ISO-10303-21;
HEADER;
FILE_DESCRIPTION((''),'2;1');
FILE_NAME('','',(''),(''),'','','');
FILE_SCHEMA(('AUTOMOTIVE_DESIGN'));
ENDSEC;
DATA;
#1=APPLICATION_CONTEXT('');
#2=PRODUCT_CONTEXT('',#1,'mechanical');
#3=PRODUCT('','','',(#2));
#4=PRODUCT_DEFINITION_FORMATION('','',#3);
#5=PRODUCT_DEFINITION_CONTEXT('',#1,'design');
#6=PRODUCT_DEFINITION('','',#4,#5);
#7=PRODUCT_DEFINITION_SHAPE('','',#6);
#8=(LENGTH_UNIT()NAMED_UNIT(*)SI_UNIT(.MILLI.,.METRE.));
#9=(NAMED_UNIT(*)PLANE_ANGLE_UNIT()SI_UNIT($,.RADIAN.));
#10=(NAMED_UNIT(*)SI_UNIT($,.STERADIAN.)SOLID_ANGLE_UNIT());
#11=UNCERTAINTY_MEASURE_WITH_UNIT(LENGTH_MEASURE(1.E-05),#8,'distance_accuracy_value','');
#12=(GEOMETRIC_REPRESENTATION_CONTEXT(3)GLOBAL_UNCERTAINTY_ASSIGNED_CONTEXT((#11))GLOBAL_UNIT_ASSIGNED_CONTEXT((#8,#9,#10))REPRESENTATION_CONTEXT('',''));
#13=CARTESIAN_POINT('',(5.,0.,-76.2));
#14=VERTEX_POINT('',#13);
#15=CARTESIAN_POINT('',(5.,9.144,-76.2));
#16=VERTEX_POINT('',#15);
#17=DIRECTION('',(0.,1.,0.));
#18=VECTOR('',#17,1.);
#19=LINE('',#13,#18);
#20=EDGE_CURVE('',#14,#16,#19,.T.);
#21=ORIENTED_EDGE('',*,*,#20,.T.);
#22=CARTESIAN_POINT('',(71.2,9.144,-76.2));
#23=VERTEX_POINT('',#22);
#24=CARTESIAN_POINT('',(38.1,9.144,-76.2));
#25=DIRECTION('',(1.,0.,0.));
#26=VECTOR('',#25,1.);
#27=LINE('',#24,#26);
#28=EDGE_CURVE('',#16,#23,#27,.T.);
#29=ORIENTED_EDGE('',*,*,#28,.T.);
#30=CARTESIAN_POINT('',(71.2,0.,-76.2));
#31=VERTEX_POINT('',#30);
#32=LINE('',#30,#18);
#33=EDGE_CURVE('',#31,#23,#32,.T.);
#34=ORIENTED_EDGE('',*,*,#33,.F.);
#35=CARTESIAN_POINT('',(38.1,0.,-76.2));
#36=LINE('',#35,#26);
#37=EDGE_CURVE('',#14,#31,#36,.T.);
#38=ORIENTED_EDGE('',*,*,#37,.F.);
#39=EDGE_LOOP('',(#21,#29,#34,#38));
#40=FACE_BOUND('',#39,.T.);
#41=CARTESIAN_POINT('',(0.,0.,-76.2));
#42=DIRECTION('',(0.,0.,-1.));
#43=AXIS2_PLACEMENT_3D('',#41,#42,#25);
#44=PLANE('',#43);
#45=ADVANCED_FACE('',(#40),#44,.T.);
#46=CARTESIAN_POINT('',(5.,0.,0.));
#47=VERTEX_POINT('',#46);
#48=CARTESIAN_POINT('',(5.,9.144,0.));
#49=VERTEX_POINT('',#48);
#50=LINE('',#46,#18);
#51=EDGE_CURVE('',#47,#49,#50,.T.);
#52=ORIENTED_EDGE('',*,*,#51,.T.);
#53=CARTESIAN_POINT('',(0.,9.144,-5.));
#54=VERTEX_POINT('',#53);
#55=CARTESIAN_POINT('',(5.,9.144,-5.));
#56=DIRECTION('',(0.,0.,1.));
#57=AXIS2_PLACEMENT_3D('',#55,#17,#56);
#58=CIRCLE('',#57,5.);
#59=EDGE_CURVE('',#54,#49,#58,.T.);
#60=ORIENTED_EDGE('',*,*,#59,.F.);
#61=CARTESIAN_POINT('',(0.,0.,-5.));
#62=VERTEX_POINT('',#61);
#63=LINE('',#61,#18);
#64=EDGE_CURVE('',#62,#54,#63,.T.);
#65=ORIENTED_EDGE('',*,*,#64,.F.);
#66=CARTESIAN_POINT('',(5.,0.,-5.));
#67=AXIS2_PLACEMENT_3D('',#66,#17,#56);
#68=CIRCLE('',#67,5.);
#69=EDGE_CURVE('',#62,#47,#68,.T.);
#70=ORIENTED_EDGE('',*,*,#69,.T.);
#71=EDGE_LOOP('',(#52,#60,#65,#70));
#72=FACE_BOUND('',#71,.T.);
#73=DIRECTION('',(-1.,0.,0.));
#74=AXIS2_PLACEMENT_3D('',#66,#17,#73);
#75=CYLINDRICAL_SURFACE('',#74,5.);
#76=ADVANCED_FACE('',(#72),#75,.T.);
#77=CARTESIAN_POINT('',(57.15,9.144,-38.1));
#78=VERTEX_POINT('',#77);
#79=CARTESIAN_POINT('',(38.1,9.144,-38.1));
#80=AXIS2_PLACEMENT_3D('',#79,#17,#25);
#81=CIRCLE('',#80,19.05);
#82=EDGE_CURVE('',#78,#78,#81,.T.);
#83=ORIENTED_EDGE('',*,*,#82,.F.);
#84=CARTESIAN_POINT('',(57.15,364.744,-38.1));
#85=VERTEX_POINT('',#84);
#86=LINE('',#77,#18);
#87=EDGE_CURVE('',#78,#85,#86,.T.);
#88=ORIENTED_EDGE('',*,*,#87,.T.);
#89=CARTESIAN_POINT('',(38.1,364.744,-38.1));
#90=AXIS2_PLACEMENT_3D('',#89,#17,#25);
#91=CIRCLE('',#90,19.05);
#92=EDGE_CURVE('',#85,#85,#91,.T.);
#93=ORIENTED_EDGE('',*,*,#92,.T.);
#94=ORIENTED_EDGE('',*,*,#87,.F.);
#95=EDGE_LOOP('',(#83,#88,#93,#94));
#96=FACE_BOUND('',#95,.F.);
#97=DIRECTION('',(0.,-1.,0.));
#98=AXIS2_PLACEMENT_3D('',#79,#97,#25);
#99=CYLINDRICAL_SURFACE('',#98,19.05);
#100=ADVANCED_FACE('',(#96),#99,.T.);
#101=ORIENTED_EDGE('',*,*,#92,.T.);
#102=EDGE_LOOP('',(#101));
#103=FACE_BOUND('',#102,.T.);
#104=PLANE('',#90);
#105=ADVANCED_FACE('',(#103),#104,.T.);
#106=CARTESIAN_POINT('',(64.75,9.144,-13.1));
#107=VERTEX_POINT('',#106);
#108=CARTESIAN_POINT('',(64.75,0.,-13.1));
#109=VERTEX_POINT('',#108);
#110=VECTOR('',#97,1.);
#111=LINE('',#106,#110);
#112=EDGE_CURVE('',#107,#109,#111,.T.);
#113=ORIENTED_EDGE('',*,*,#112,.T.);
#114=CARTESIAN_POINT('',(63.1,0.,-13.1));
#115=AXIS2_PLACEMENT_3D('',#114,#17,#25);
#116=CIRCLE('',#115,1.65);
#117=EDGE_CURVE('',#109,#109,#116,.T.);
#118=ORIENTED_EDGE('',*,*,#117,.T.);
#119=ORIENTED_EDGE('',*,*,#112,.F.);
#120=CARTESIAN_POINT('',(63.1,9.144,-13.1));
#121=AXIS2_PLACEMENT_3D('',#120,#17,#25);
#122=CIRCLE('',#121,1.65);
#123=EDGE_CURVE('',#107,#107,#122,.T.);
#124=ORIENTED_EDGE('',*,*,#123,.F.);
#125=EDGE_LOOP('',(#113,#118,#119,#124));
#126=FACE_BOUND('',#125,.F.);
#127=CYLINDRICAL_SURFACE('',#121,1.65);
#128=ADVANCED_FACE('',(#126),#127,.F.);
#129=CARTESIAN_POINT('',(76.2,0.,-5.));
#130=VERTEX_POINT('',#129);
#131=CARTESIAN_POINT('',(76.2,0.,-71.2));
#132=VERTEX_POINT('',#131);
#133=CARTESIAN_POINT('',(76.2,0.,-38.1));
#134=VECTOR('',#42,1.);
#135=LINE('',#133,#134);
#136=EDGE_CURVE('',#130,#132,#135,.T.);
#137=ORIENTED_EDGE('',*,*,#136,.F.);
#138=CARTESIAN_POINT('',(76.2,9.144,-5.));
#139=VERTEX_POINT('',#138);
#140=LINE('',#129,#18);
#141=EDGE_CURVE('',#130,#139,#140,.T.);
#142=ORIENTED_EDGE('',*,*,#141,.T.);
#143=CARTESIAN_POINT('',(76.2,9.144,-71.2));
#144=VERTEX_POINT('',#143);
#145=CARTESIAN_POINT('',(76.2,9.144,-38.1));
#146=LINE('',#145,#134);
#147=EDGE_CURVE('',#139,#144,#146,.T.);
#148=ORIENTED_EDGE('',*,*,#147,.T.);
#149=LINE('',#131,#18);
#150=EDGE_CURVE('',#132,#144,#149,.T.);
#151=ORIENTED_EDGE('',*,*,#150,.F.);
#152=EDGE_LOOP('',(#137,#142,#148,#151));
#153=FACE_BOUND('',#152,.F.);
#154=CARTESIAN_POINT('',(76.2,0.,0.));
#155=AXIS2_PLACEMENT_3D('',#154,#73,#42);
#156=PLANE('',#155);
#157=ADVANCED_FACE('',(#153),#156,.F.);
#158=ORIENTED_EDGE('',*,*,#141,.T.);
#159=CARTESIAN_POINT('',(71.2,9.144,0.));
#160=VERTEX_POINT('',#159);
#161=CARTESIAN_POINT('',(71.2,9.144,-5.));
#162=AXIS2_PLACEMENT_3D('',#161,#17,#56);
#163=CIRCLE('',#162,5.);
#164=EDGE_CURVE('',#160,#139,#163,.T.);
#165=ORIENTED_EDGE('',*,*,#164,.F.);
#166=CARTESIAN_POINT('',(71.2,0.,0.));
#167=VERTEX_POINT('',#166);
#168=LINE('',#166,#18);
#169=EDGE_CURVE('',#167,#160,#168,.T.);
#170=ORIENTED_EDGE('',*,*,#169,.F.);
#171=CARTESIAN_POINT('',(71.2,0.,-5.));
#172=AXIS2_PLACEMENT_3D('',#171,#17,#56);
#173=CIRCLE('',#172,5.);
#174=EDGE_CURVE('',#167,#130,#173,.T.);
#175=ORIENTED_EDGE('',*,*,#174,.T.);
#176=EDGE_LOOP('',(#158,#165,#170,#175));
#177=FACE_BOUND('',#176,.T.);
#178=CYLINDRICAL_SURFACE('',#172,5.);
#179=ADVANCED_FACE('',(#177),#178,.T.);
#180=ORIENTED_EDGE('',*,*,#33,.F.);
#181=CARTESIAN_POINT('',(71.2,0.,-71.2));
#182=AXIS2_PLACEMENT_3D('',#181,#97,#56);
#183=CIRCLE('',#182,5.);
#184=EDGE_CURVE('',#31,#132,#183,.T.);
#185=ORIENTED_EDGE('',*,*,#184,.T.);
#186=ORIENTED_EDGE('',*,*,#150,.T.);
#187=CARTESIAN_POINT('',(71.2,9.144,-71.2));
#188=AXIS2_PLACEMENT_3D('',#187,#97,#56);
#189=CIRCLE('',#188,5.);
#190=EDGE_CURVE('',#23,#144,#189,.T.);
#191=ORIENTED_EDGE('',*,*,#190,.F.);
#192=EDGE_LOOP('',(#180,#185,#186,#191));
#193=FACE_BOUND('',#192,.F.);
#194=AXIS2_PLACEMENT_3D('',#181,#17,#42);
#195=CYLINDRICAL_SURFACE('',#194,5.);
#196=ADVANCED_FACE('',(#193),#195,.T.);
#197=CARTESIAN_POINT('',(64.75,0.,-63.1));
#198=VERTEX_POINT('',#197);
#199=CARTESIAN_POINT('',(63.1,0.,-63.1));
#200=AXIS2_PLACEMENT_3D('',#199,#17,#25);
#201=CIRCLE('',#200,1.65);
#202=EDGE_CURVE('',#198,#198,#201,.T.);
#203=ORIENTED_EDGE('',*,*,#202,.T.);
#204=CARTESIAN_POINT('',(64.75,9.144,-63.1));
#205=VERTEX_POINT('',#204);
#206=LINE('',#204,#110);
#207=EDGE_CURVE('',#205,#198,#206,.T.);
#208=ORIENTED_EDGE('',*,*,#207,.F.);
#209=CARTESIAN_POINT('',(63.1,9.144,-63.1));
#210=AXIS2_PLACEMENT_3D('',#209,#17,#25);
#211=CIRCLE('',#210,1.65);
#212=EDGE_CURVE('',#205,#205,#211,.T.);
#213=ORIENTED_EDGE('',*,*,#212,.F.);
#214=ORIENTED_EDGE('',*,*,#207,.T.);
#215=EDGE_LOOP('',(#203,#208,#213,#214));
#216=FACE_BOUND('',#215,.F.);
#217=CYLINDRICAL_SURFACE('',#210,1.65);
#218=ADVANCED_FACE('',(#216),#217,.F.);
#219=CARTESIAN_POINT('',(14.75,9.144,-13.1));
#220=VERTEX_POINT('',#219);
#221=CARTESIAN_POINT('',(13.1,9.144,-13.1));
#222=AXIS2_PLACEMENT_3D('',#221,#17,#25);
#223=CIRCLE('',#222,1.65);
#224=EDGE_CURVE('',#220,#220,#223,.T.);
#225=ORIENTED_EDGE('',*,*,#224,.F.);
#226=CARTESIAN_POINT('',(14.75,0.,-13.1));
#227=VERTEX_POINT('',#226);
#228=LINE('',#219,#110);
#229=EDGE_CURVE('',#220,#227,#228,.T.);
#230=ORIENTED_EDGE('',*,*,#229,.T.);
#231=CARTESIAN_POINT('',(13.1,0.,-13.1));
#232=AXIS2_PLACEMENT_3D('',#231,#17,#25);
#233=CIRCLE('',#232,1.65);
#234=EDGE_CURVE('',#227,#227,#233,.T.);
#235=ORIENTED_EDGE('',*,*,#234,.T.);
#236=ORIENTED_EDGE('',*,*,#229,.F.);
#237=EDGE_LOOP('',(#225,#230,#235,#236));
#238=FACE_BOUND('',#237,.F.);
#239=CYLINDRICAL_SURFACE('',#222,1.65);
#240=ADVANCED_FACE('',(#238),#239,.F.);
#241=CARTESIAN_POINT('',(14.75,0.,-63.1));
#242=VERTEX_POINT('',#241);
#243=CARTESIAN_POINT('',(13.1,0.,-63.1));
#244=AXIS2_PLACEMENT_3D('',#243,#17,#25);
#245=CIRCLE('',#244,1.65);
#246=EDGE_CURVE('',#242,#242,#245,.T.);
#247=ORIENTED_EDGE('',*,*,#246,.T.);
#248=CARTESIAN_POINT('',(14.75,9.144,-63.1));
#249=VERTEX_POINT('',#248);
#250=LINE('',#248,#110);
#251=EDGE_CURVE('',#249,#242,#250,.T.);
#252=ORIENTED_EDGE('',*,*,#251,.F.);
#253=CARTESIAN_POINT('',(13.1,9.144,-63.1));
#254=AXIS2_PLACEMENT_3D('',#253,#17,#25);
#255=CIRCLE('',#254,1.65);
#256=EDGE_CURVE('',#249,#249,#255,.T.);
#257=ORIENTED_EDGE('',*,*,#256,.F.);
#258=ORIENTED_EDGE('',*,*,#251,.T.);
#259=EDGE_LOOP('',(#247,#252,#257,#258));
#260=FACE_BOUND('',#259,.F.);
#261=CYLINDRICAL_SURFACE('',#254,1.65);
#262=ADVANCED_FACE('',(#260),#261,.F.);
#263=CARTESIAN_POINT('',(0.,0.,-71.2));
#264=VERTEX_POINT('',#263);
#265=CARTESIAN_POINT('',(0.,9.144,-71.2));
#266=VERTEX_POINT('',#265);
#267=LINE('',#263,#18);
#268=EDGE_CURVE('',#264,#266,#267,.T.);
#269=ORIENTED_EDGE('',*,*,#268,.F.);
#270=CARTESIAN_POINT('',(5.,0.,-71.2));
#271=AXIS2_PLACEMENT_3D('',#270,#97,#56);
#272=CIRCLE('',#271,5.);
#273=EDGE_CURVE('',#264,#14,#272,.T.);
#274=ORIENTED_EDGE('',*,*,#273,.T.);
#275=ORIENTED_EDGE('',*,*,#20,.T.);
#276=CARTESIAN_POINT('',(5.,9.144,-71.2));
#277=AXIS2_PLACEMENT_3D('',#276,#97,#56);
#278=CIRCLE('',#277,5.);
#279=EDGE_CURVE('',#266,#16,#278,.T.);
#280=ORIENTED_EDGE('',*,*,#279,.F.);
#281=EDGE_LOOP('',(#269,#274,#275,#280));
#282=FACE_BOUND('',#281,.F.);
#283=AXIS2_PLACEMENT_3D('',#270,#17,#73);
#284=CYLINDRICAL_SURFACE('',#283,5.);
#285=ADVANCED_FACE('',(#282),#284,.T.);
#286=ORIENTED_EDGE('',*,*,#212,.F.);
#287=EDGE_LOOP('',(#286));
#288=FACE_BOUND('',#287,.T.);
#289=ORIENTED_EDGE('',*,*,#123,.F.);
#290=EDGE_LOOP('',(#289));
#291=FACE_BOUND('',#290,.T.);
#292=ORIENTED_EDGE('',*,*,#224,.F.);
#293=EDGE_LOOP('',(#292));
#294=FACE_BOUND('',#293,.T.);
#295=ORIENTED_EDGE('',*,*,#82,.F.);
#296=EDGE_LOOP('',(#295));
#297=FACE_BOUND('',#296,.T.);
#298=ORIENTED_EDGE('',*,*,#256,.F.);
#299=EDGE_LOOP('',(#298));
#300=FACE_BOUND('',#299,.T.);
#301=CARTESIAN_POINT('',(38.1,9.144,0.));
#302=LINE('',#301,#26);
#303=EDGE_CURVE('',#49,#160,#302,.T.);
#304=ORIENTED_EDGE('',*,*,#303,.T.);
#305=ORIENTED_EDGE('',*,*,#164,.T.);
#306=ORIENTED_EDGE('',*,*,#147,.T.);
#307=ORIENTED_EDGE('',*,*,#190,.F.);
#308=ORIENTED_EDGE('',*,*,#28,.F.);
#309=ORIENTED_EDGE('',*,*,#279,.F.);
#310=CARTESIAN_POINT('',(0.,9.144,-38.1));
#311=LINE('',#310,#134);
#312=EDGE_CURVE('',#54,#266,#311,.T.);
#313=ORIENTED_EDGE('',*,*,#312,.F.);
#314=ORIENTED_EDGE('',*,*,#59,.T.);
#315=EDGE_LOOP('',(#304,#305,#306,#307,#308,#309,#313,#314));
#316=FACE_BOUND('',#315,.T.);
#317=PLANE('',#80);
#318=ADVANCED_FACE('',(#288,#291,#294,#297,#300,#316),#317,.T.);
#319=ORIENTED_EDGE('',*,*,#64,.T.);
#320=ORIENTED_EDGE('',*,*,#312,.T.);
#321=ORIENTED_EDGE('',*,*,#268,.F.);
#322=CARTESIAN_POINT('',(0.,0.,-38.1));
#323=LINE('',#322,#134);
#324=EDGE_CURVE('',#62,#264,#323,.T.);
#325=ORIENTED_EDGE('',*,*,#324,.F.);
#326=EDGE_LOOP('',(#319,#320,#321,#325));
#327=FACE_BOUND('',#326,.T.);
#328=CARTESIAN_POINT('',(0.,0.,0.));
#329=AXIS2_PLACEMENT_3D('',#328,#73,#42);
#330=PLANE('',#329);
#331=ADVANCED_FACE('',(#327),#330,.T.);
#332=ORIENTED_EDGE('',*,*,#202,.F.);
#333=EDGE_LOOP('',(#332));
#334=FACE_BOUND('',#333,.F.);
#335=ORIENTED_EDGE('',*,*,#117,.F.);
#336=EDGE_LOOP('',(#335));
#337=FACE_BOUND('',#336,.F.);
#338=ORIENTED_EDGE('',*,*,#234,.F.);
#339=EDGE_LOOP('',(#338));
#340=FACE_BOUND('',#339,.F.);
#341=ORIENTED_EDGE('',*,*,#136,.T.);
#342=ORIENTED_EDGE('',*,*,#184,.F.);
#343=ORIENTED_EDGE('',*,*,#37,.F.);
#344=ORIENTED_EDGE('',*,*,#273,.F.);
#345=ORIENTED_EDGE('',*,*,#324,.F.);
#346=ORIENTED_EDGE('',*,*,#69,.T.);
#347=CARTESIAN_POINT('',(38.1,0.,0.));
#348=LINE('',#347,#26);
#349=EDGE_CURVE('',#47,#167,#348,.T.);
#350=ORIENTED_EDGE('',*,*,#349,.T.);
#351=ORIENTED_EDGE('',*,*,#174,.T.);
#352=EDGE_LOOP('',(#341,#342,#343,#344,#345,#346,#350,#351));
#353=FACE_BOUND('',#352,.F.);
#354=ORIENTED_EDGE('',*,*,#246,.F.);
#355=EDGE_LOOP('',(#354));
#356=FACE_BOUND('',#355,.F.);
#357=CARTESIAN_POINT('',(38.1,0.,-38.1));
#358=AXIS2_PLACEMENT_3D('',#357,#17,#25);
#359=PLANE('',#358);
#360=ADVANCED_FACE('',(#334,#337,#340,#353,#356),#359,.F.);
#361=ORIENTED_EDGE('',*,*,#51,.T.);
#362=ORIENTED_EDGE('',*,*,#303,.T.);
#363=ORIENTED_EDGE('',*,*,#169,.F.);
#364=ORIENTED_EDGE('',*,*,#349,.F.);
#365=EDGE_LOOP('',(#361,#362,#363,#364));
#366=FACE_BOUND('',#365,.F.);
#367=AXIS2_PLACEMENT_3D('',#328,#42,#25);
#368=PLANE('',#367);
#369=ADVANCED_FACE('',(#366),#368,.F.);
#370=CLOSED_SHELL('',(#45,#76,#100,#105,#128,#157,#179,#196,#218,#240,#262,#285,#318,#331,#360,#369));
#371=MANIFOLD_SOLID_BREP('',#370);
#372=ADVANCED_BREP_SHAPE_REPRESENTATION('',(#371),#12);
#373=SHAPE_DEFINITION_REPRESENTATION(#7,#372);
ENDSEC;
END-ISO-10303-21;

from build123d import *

# Parameters (mm, degrees)
SKETCH1_W           = 76.2
SKETCH1_H           = 76.2
BOSS_EXTRUDE1_DEPTH = 9.144
SKETCH2_R           = 1.65
CUT_EXTRUDE1_DEPTH  = 9.144
SKETCH3_R           = 19.05
BOSS_EXTRUDE2_DEPTH = 355.6
FILLET1_R           = 5


with BuildPart() as part:
    # Sketch1 → Boss-Extrude1 (new body)
    with BuildSketch(Plane(origin=(0, 0, 0), x_dir=(1, 0, 0), z_dir=(0, 1, 0))):
        with Locations((38.1, 38.1)):
            Rectangle(SKETCH1_W, SKETCH1_H)
    extrude(amount=BOSS_EXTRUDE1_DEPTH)

    # Sketch2 → Cut-Extrude1 (cut)
    with BuildSketch(Plane(origin=(0, 9.144, 0), x_dir=(1, 0, 0), z_dir=(0, 1, 0))):
        with Locations((13.1, 63.1)):
            Circle(SKETCH2_R)
        with Locations((63.1, 63.1)):
            Circle(SKETCH2_R)
        with Locations((63.1, 13.1)):
            Circle(SKETCH2_R)
        with Locations((13.1, 13.1)):
            Circle(SKETCH2_R)
    extrude(amount=-CUT_EXTRUDE1_DEPTH, mode=Mode.SUBTRACT)

    # Sketch3 → Boss-Extrude2 (add)
    with BuildSketch(Plane(origin=(0, 9.144, 0), x_dir=(1, 0, 0), z_dir=(0, 1, 0))):
        with Locations((38.1, 38.1)):
            Circle(SKETCH3_R)
    extrude(amount=BOSS_EXTRUDE2_DEPTH)

    # Fillet1
    fillet1_edges = [part.edges().sort_by_distance(p)[0] for p in [
        (0, 4.572, -76.2),
        (76.2, 4.572, -76.2),
        (76.2, 4.572, 0),
        (0, 4.572, 0),
    ]]
    fillet(fillet1_edges, radius=FILLET1_R)


solid = part.part
